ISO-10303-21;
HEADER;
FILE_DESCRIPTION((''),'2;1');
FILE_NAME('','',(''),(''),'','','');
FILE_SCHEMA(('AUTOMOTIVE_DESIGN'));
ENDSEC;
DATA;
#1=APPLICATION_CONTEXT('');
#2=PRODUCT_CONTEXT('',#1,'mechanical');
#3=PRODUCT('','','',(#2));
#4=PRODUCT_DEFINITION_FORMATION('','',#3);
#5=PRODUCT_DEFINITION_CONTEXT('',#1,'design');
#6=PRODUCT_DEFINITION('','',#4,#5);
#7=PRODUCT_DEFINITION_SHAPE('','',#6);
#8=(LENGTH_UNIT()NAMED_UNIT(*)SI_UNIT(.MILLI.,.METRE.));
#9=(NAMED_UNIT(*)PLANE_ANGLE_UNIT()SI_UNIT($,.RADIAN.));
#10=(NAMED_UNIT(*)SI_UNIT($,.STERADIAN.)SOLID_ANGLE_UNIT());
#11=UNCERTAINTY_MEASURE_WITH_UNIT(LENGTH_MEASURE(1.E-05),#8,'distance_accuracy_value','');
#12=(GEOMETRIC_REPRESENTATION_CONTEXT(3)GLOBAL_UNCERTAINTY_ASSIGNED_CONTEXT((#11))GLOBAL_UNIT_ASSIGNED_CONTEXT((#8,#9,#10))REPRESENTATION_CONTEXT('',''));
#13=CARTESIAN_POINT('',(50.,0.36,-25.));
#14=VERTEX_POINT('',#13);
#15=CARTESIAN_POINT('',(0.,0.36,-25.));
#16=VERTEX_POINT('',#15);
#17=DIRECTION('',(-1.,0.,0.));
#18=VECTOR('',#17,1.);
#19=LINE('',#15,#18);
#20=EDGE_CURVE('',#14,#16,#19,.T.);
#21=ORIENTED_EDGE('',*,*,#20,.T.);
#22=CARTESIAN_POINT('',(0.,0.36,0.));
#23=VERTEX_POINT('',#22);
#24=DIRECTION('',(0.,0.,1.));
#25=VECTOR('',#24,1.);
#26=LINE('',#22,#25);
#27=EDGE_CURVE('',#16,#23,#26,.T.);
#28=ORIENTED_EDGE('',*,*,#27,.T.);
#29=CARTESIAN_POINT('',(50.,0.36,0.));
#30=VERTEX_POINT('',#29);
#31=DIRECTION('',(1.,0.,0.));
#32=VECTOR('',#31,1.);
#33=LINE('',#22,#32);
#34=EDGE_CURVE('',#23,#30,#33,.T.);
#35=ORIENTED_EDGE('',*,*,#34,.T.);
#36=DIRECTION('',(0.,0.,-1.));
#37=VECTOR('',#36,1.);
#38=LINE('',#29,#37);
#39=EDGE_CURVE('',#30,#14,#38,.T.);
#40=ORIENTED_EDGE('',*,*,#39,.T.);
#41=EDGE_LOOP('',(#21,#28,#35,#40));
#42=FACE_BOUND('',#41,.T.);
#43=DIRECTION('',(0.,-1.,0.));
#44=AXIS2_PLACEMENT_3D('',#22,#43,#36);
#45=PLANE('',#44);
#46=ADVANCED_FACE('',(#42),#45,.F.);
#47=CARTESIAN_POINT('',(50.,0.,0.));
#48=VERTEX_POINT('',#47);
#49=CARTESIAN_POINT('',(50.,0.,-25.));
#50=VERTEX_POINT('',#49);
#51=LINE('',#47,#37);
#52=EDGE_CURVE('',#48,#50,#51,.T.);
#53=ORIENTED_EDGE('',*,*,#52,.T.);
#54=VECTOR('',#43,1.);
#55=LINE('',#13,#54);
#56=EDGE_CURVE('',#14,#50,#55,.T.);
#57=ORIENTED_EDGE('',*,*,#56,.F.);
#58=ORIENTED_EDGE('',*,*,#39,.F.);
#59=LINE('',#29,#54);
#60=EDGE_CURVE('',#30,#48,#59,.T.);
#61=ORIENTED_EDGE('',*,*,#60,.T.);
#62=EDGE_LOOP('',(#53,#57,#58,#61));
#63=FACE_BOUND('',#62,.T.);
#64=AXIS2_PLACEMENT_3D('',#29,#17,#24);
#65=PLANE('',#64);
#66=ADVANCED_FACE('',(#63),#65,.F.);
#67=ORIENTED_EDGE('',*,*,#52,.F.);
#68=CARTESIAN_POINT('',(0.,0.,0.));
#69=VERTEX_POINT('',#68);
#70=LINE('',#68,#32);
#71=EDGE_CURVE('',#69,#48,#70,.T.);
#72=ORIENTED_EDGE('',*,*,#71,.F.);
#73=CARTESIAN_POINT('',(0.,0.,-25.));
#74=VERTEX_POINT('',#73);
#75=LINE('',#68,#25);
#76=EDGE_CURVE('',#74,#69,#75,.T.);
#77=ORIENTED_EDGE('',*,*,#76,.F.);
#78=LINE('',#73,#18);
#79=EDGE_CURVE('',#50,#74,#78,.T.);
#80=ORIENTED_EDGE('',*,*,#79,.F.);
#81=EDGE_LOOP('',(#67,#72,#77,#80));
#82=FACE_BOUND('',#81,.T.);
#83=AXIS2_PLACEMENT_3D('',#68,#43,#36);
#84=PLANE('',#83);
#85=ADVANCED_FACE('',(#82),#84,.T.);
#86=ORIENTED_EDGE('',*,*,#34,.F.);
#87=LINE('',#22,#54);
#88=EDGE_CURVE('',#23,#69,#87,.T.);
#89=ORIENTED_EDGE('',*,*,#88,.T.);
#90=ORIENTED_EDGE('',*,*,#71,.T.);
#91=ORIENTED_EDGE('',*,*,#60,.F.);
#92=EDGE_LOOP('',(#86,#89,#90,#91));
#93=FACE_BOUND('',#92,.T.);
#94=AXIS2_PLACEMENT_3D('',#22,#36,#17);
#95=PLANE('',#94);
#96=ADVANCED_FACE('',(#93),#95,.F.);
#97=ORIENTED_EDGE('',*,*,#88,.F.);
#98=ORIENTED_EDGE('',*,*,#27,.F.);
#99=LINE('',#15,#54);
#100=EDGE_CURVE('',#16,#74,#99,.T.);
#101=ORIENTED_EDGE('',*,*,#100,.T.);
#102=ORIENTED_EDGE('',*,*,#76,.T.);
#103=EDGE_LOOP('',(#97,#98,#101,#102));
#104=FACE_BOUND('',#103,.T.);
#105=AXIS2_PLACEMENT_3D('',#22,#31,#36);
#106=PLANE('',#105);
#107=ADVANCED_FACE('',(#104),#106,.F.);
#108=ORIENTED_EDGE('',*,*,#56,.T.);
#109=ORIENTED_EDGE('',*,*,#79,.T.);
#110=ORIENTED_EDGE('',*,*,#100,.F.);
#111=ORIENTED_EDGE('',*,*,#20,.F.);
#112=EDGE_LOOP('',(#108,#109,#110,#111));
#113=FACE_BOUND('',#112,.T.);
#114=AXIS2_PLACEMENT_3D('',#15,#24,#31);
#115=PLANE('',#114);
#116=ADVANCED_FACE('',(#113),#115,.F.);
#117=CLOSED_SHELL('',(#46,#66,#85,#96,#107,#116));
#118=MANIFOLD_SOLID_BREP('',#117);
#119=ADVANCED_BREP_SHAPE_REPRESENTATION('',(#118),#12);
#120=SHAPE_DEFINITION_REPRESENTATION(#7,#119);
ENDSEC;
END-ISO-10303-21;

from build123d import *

# Parameters (mm, degrees)
SKETCH1_W           = 50
SKETCH1_H           = 25
BOSS_EXTRUDE1_DEPTH = 0.36


with BuildPart() as part:
    # Sketch1 → Boss-Extrude1 (new body)
    with BuildSketch(Plane(origin=(0, 0, 0), x_dir=(1, 0, 0), z_dir=(0, 1, 0))):
        with Locations((25, 12.5)):
            Rectangle(SKETCH1_W, SKETCH1_H)
    extrude(amount=BOSS_EXTRUDE1_DEPTH)


solid = part.part
